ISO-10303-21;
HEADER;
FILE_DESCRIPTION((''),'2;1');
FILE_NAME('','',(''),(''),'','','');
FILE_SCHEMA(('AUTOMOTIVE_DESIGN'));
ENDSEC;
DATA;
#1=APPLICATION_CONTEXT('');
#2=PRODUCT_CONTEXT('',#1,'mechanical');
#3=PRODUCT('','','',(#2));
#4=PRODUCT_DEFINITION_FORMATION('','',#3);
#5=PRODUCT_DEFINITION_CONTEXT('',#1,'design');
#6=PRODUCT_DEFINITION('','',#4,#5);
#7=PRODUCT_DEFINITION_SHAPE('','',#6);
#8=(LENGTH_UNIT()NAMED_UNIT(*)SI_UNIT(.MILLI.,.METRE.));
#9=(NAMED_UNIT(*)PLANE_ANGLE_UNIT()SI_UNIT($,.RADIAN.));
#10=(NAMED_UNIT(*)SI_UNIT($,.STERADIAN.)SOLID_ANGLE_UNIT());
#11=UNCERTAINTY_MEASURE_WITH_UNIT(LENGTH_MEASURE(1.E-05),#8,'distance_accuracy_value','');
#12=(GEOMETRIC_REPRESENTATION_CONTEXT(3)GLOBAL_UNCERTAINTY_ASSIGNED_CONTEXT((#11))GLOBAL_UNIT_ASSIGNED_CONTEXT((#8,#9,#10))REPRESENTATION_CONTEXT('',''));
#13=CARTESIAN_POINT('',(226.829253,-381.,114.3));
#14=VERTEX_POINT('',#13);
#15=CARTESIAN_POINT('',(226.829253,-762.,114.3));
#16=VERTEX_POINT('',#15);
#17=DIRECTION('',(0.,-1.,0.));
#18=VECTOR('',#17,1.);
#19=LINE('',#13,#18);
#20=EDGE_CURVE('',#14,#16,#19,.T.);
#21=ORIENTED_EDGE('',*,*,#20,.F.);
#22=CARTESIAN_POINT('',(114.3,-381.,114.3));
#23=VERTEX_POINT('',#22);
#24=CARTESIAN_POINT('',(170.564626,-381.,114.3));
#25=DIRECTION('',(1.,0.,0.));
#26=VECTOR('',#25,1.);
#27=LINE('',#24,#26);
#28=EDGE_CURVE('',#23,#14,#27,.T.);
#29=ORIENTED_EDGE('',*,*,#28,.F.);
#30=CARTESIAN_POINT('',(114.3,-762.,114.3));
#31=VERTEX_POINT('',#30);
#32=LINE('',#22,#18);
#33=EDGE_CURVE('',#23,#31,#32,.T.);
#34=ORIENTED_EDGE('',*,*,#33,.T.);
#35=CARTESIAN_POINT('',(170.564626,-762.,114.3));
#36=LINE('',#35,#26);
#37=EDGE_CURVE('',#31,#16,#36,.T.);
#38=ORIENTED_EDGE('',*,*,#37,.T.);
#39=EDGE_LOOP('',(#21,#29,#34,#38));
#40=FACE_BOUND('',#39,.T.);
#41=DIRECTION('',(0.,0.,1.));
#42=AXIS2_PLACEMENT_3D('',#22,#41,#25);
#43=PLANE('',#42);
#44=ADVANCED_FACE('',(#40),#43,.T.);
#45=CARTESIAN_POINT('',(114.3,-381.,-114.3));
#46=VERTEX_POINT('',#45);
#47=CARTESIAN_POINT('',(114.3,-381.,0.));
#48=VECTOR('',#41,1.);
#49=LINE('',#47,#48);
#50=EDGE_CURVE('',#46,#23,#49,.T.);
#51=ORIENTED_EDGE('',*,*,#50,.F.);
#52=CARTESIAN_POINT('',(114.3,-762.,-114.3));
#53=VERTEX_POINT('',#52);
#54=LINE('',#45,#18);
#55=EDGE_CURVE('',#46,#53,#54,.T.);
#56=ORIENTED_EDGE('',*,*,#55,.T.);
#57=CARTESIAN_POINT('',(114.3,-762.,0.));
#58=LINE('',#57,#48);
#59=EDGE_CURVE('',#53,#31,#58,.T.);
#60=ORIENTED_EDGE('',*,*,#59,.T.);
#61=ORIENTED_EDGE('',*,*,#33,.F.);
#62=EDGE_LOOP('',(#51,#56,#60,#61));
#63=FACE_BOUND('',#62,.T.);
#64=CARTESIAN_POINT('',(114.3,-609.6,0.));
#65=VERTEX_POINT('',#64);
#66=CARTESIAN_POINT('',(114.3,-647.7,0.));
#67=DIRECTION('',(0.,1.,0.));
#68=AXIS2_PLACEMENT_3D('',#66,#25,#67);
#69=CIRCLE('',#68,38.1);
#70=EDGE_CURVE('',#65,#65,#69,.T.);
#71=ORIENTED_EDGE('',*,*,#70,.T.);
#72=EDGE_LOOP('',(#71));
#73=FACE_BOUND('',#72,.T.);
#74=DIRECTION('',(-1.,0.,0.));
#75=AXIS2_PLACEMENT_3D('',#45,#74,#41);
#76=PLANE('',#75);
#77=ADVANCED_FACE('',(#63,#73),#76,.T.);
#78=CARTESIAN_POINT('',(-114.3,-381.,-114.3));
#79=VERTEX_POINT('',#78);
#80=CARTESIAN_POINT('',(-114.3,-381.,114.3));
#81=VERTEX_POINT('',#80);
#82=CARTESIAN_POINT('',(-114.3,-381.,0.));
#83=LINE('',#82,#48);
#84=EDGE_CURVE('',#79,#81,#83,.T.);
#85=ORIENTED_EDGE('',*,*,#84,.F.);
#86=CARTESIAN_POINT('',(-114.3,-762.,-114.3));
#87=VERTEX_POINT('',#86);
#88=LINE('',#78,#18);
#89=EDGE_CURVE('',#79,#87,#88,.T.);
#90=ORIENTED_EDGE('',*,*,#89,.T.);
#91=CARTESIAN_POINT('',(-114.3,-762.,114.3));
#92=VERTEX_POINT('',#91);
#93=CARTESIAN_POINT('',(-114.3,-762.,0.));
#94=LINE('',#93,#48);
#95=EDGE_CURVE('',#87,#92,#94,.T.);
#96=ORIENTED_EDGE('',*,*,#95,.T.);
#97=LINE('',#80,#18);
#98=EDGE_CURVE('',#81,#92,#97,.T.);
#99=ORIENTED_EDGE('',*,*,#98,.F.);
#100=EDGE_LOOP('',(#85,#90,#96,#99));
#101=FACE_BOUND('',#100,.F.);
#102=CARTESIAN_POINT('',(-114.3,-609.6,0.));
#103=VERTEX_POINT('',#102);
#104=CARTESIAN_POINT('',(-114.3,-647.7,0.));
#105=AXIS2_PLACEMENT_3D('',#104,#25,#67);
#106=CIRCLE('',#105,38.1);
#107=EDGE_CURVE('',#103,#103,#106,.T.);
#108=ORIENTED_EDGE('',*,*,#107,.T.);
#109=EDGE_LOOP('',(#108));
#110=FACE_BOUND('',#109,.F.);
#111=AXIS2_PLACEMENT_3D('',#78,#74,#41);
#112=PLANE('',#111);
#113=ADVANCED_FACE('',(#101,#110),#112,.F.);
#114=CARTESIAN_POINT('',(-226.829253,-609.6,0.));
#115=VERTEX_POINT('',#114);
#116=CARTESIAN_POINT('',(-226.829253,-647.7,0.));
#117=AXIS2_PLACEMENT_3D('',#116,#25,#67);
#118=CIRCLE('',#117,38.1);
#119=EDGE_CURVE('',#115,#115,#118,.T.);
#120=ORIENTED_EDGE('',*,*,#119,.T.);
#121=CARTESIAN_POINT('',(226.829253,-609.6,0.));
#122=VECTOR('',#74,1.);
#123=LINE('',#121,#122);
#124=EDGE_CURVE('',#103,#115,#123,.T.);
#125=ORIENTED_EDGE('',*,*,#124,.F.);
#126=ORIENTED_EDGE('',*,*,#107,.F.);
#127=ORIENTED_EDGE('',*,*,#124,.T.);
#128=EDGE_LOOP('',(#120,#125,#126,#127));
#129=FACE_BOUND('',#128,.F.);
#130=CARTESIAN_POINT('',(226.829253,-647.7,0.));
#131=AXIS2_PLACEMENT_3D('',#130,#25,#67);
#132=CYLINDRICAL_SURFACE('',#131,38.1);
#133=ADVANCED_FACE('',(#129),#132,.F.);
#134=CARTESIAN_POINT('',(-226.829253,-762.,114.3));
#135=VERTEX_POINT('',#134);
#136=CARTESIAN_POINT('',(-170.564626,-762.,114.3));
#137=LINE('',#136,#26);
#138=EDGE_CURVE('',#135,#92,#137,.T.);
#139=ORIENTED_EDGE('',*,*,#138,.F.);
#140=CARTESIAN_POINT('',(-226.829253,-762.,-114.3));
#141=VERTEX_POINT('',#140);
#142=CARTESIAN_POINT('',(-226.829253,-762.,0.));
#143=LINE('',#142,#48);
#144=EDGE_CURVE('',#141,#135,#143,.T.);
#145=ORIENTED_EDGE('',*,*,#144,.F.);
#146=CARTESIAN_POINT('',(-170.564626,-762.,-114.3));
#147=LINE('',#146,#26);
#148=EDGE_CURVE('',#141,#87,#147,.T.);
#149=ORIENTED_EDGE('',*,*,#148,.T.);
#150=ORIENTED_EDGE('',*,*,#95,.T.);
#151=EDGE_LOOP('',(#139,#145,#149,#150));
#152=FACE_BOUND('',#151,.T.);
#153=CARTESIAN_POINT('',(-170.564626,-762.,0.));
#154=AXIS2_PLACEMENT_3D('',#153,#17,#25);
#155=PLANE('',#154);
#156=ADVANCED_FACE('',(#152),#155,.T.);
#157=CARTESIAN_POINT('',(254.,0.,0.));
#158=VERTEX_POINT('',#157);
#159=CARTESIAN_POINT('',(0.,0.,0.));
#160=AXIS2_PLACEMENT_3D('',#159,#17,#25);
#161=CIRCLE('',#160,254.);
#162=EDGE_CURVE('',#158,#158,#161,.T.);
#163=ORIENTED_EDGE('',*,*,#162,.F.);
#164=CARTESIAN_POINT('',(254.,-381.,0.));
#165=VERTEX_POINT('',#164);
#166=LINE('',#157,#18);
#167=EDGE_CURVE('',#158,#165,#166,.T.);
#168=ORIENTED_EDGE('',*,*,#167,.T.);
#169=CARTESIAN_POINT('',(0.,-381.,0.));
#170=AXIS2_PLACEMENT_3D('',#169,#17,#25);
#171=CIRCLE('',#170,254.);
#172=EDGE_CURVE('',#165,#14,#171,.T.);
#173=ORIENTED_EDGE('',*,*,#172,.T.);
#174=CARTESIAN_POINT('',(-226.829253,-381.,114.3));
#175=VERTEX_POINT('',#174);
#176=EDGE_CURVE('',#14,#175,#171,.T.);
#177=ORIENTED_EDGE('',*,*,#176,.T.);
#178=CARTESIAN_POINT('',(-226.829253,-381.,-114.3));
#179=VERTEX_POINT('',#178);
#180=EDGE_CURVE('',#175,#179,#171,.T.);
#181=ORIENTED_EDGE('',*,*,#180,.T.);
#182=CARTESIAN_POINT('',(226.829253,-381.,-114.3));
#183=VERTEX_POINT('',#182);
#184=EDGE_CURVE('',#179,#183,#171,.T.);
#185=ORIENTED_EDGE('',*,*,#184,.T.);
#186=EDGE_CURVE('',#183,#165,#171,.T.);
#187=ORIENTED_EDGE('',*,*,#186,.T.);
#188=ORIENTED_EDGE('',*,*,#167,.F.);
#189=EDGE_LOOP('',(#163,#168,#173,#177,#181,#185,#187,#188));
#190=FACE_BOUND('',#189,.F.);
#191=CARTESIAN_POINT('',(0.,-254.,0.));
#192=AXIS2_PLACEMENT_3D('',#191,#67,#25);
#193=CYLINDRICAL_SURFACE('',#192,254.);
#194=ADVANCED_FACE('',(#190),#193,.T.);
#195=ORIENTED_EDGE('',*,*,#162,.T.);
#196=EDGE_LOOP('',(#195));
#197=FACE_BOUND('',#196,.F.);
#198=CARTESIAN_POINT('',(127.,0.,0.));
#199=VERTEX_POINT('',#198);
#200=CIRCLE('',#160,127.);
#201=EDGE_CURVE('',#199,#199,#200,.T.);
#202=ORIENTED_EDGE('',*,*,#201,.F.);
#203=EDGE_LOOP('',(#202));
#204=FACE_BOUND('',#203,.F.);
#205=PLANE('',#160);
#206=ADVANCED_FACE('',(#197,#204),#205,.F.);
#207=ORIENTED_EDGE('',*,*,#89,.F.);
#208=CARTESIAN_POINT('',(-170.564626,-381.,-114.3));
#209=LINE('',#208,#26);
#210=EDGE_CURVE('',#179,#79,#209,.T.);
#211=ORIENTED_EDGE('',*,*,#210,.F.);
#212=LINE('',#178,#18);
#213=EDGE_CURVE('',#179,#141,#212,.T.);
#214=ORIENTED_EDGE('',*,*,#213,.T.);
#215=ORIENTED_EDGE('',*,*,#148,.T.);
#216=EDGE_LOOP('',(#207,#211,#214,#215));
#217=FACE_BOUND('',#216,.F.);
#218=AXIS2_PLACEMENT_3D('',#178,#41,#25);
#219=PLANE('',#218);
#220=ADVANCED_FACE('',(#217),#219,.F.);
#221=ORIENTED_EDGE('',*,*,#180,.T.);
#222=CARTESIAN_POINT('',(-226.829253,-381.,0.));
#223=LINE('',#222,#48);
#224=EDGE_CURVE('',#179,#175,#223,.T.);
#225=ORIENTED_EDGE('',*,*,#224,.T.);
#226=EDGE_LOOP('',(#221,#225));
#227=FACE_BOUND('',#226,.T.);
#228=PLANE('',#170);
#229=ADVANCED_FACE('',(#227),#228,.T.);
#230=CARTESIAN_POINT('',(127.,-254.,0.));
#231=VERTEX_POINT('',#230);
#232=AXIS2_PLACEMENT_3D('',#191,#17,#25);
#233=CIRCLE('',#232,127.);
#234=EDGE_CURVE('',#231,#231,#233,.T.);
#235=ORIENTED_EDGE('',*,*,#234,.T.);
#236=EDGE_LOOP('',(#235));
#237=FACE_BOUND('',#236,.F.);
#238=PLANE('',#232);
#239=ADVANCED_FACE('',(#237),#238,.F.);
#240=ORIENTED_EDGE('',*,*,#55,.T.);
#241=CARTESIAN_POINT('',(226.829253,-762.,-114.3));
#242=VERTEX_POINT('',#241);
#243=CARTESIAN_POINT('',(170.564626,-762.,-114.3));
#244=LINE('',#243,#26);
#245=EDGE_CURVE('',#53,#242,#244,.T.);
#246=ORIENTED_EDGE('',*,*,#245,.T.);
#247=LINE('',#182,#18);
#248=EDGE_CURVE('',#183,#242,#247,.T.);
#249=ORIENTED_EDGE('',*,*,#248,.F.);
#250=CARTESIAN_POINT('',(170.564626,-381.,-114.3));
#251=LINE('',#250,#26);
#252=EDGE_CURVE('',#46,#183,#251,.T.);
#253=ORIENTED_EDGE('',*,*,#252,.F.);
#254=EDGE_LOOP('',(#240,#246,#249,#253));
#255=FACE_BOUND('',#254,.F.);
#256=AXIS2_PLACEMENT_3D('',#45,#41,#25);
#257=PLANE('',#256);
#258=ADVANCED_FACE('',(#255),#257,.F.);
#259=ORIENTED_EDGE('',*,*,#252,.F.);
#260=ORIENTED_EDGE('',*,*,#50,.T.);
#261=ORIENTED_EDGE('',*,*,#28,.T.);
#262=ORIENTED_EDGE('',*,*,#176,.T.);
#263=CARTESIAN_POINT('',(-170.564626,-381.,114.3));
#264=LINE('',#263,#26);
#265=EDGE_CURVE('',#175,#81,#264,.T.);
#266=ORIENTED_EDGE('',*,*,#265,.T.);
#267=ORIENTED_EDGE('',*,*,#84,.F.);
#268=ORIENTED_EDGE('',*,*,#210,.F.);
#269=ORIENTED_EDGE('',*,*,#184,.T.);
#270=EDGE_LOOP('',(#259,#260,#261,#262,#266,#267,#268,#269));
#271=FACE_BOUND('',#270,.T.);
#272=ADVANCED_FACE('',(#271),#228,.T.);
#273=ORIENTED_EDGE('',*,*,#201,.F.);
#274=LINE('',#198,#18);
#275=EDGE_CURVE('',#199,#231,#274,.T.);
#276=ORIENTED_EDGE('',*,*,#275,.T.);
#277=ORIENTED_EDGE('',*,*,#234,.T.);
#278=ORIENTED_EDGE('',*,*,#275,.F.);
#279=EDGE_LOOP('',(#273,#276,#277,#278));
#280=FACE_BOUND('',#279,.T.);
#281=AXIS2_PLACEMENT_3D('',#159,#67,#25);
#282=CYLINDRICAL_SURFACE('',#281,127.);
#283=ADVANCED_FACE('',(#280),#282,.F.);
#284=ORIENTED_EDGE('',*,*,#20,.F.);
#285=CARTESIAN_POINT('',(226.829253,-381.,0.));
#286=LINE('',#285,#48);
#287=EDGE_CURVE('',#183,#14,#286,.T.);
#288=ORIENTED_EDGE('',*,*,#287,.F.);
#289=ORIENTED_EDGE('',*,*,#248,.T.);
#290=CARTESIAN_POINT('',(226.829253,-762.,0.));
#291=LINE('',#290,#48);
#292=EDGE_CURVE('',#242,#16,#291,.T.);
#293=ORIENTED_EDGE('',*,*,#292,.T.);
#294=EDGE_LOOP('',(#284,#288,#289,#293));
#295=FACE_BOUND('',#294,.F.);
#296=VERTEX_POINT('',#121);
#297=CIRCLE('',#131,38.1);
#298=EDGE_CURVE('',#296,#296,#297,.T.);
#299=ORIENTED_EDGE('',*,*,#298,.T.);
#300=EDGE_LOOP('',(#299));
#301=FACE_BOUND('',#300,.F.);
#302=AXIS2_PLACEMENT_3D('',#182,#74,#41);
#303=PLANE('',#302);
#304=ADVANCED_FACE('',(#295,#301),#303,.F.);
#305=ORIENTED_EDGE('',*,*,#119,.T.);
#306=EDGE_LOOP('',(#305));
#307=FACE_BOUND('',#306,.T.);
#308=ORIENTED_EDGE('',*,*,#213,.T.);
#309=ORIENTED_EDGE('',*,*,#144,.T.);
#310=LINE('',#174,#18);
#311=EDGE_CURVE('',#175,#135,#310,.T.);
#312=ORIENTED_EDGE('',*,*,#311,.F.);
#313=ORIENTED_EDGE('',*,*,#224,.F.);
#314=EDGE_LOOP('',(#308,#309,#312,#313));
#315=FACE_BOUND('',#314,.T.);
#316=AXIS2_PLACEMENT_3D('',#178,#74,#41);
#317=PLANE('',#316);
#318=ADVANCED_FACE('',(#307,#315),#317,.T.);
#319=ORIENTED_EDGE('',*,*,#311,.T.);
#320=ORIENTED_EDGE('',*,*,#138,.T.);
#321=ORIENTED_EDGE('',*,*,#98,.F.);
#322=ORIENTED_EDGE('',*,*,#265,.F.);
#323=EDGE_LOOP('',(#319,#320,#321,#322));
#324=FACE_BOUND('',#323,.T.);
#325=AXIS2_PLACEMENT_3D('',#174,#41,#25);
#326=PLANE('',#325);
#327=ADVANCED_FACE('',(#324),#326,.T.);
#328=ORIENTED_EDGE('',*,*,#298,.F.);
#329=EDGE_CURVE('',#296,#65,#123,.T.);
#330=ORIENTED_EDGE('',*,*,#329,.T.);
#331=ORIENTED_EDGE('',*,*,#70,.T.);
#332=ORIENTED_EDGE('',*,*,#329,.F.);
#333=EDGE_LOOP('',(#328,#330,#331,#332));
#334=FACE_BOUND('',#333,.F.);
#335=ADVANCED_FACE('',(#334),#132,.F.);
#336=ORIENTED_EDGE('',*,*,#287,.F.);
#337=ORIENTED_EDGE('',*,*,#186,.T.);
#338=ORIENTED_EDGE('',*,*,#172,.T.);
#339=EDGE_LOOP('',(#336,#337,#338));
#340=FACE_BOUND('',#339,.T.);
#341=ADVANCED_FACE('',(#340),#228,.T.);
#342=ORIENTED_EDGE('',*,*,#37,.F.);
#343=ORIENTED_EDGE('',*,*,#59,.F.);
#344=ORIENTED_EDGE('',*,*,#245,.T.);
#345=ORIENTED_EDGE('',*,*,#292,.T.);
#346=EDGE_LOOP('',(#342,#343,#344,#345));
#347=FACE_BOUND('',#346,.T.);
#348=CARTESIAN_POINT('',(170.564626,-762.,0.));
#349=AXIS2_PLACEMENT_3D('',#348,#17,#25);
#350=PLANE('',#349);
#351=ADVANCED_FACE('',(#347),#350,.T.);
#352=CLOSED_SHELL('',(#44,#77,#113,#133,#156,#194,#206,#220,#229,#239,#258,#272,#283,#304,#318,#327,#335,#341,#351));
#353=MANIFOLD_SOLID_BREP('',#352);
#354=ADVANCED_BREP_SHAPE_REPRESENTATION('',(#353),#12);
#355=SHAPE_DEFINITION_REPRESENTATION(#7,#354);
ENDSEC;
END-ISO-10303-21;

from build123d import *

# Parameters (mm, degrees)
F0_R     = 254
F0_R_2   = 127
F1_DEPTH = 254
F2_R     = 254
F3_DEPTH = 127
F4_W     = 112.5292529635
F4_H     = 228.6
F5_DEPTH = 381
F6_R     = 38.1
F7_DEPTH = 480.8302529635


with BuildPart() as f1:
    # F0 (on Front) → F1 (new body)
    with BuildSketch(Plane.XZ):
        Circle(F0_R)
        Circle(F0_R_2, mode=Mode.SUBTRACT)
    extrude(amount=F1_DEPTH)

    # F2 (on face) → F3 (join)
    with BuildSketch(Plane.XZ.offset(254)):
        Circle(F2_R)
    extrude(amount=F3_DEPTH)

    # F4 (on face) → F5 (join)
    with BuildSketch(Plane.XZ.offset(381)):
        with Locations((-170.5646264818, 0)):
            Rectangle(F4_W, F4_H)
        with Locations((170.5646264818, 0)):
            Rectangle(F4_W, F4_H)
    extrude(amount=F5_DEPTH)

    # F6 (on face) → F7 (cut, through all)
    with BuildSketch(Plane.YZ.offset(226.8292529635)):
        with Locations((-647.7, 0)):
            Circle(F6_R)
    extrude(amount=-F7_DEPTH, mode=Mode.SUBTRACT)


solid = f1.part
